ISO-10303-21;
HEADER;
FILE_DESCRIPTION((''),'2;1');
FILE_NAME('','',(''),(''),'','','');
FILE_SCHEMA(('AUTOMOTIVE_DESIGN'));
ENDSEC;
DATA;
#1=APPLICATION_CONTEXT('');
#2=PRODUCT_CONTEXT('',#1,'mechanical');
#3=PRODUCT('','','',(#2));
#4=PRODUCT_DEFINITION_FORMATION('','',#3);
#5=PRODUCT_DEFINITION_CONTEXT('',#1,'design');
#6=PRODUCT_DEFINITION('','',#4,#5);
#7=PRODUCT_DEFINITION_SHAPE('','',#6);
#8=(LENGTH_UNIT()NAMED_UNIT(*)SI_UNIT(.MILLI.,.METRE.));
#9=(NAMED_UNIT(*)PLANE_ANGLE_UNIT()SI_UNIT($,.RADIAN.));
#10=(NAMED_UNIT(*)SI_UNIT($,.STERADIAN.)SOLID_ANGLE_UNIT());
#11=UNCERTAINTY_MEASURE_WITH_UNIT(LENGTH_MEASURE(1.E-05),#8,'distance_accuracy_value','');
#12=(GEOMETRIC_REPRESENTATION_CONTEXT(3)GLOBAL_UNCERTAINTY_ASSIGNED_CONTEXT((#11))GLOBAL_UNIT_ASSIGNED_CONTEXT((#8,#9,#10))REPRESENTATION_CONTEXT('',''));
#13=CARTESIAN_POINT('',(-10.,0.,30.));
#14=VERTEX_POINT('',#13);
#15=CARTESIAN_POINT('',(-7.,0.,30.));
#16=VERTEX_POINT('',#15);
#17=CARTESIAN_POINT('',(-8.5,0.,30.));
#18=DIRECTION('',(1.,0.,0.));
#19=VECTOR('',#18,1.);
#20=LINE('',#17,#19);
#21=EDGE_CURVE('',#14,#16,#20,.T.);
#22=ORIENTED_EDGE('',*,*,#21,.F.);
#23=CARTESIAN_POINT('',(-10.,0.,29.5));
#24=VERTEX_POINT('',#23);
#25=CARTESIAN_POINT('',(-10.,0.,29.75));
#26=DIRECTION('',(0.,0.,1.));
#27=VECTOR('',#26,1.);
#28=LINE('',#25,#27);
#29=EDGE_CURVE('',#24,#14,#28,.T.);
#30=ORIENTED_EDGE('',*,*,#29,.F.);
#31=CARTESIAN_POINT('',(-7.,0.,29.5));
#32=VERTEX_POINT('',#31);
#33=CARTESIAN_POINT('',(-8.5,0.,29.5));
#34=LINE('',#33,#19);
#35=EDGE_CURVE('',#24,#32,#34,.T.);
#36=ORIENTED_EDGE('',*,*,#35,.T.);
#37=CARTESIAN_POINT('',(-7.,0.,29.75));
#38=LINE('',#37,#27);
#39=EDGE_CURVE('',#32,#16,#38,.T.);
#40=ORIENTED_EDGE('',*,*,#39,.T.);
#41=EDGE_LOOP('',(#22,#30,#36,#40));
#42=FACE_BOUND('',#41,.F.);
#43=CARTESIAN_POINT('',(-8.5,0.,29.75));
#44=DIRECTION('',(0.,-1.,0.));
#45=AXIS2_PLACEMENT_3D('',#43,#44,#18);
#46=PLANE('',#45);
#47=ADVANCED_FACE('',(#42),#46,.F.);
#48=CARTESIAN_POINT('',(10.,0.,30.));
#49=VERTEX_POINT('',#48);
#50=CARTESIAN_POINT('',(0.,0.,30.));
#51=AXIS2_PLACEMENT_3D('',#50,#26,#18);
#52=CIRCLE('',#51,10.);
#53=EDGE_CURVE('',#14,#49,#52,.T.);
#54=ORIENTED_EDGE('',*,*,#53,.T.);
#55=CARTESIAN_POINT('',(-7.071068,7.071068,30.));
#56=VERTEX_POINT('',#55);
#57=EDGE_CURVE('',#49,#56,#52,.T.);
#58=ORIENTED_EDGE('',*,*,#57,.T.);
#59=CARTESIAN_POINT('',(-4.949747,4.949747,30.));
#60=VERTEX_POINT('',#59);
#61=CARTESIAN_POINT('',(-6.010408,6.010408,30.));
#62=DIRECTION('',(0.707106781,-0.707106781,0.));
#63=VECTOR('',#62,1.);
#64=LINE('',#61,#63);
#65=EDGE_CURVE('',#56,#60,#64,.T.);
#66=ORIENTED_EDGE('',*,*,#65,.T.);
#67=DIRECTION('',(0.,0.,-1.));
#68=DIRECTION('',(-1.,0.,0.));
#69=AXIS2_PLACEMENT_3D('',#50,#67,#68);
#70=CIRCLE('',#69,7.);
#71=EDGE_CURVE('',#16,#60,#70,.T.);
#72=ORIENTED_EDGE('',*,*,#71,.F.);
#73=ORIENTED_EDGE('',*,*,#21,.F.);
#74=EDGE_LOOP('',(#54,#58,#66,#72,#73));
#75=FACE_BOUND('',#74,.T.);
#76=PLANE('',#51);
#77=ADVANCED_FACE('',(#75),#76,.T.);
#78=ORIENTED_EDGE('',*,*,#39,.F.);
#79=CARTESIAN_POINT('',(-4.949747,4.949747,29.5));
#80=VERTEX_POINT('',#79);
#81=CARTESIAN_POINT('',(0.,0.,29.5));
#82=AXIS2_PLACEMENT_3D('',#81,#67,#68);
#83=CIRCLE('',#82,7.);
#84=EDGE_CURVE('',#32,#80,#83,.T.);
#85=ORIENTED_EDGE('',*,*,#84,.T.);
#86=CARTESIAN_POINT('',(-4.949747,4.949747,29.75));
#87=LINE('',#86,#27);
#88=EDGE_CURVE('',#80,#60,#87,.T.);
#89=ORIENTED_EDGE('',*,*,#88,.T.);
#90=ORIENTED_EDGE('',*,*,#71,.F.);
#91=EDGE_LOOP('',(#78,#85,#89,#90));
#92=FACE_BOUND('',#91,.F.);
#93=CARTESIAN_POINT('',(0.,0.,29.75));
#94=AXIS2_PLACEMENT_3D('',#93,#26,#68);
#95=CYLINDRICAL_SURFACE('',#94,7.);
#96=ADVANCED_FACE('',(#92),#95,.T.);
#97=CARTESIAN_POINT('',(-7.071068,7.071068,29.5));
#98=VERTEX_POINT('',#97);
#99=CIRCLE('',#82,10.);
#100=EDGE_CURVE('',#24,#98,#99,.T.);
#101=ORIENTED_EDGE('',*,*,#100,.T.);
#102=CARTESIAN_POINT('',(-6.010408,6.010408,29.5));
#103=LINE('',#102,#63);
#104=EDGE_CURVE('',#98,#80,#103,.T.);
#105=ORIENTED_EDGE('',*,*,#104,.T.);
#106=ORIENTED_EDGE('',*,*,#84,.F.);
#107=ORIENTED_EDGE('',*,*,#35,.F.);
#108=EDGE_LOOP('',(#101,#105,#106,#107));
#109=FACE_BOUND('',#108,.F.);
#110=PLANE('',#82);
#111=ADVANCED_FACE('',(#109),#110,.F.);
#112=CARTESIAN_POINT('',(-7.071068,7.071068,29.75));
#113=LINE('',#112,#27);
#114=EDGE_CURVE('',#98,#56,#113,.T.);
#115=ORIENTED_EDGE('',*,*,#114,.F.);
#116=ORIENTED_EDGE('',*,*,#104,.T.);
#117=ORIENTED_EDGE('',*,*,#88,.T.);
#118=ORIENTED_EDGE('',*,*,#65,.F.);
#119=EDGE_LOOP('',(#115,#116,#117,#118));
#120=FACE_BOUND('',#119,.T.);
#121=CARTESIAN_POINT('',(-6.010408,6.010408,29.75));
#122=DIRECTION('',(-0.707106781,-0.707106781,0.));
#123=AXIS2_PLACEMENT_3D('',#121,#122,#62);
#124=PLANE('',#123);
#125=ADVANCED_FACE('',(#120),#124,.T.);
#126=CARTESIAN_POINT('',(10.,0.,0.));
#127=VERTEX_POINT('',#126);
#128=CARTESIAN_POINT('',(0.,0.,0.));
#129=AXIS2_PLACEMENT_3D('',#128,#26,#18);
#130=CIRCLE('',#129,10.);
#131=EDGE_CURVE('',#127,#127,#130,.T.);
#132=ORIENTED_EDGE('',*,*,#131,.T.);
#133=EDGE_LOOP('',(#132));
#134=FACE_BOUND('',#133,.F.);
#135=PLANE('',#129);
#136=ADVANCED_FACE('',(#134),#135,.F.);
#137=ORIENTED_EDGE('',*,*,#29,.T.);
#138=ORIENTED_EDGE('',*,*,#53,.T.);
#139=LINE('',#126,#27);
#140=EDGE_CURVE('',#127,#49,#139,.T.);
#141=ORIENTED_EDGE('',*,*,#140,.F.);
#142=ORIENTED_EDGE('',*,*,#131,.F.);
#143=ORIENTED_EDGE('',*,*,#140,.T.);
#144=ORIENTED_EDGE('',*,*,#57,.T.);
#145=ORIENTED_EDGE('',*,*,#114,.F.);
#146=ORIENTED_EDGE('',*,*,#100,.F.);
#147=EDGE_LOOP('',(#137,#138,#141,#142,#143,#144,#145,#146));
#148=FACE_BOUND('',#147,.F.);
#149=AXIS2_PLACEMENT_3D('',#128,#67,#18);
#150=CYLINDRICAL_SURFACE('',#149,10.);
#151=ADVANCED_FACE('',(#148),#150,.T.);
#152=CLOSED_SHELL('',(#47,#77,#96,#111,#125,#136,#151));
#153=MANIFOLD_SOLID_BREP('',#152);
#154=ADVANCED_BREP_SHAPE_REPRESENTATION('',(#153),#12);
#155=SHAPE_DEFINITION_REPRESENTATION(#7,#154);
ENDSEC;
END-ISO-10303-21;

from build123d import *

# Parameters (mm, degrees)
F0_R     = 10
F1_DEPTH = 30
F2_W     = 3
F2_H     = 0.5
F3_ANGLE = -45


with BuildPart() as f1:
    # F0 (on Top) → F1 (new body)
    with BuildSketch(Plane.XY):
        Circle(F0_R)
    extrude(amount=F1_DEPTH)

    # F2 (on Front) → F3 (revolve, cut)
    with BuildSketch(Plane.XZ):
        with Locations((-8.5, 29.75)):
            Rectangle(F2_W, F2_H)
    revolve(axis=Axis((0, 0, 30.297637), (0, 0, 1)), revolution_arc=F3_ANGLE, mode=Mode.SUBTRACT)


solid = f1.part
